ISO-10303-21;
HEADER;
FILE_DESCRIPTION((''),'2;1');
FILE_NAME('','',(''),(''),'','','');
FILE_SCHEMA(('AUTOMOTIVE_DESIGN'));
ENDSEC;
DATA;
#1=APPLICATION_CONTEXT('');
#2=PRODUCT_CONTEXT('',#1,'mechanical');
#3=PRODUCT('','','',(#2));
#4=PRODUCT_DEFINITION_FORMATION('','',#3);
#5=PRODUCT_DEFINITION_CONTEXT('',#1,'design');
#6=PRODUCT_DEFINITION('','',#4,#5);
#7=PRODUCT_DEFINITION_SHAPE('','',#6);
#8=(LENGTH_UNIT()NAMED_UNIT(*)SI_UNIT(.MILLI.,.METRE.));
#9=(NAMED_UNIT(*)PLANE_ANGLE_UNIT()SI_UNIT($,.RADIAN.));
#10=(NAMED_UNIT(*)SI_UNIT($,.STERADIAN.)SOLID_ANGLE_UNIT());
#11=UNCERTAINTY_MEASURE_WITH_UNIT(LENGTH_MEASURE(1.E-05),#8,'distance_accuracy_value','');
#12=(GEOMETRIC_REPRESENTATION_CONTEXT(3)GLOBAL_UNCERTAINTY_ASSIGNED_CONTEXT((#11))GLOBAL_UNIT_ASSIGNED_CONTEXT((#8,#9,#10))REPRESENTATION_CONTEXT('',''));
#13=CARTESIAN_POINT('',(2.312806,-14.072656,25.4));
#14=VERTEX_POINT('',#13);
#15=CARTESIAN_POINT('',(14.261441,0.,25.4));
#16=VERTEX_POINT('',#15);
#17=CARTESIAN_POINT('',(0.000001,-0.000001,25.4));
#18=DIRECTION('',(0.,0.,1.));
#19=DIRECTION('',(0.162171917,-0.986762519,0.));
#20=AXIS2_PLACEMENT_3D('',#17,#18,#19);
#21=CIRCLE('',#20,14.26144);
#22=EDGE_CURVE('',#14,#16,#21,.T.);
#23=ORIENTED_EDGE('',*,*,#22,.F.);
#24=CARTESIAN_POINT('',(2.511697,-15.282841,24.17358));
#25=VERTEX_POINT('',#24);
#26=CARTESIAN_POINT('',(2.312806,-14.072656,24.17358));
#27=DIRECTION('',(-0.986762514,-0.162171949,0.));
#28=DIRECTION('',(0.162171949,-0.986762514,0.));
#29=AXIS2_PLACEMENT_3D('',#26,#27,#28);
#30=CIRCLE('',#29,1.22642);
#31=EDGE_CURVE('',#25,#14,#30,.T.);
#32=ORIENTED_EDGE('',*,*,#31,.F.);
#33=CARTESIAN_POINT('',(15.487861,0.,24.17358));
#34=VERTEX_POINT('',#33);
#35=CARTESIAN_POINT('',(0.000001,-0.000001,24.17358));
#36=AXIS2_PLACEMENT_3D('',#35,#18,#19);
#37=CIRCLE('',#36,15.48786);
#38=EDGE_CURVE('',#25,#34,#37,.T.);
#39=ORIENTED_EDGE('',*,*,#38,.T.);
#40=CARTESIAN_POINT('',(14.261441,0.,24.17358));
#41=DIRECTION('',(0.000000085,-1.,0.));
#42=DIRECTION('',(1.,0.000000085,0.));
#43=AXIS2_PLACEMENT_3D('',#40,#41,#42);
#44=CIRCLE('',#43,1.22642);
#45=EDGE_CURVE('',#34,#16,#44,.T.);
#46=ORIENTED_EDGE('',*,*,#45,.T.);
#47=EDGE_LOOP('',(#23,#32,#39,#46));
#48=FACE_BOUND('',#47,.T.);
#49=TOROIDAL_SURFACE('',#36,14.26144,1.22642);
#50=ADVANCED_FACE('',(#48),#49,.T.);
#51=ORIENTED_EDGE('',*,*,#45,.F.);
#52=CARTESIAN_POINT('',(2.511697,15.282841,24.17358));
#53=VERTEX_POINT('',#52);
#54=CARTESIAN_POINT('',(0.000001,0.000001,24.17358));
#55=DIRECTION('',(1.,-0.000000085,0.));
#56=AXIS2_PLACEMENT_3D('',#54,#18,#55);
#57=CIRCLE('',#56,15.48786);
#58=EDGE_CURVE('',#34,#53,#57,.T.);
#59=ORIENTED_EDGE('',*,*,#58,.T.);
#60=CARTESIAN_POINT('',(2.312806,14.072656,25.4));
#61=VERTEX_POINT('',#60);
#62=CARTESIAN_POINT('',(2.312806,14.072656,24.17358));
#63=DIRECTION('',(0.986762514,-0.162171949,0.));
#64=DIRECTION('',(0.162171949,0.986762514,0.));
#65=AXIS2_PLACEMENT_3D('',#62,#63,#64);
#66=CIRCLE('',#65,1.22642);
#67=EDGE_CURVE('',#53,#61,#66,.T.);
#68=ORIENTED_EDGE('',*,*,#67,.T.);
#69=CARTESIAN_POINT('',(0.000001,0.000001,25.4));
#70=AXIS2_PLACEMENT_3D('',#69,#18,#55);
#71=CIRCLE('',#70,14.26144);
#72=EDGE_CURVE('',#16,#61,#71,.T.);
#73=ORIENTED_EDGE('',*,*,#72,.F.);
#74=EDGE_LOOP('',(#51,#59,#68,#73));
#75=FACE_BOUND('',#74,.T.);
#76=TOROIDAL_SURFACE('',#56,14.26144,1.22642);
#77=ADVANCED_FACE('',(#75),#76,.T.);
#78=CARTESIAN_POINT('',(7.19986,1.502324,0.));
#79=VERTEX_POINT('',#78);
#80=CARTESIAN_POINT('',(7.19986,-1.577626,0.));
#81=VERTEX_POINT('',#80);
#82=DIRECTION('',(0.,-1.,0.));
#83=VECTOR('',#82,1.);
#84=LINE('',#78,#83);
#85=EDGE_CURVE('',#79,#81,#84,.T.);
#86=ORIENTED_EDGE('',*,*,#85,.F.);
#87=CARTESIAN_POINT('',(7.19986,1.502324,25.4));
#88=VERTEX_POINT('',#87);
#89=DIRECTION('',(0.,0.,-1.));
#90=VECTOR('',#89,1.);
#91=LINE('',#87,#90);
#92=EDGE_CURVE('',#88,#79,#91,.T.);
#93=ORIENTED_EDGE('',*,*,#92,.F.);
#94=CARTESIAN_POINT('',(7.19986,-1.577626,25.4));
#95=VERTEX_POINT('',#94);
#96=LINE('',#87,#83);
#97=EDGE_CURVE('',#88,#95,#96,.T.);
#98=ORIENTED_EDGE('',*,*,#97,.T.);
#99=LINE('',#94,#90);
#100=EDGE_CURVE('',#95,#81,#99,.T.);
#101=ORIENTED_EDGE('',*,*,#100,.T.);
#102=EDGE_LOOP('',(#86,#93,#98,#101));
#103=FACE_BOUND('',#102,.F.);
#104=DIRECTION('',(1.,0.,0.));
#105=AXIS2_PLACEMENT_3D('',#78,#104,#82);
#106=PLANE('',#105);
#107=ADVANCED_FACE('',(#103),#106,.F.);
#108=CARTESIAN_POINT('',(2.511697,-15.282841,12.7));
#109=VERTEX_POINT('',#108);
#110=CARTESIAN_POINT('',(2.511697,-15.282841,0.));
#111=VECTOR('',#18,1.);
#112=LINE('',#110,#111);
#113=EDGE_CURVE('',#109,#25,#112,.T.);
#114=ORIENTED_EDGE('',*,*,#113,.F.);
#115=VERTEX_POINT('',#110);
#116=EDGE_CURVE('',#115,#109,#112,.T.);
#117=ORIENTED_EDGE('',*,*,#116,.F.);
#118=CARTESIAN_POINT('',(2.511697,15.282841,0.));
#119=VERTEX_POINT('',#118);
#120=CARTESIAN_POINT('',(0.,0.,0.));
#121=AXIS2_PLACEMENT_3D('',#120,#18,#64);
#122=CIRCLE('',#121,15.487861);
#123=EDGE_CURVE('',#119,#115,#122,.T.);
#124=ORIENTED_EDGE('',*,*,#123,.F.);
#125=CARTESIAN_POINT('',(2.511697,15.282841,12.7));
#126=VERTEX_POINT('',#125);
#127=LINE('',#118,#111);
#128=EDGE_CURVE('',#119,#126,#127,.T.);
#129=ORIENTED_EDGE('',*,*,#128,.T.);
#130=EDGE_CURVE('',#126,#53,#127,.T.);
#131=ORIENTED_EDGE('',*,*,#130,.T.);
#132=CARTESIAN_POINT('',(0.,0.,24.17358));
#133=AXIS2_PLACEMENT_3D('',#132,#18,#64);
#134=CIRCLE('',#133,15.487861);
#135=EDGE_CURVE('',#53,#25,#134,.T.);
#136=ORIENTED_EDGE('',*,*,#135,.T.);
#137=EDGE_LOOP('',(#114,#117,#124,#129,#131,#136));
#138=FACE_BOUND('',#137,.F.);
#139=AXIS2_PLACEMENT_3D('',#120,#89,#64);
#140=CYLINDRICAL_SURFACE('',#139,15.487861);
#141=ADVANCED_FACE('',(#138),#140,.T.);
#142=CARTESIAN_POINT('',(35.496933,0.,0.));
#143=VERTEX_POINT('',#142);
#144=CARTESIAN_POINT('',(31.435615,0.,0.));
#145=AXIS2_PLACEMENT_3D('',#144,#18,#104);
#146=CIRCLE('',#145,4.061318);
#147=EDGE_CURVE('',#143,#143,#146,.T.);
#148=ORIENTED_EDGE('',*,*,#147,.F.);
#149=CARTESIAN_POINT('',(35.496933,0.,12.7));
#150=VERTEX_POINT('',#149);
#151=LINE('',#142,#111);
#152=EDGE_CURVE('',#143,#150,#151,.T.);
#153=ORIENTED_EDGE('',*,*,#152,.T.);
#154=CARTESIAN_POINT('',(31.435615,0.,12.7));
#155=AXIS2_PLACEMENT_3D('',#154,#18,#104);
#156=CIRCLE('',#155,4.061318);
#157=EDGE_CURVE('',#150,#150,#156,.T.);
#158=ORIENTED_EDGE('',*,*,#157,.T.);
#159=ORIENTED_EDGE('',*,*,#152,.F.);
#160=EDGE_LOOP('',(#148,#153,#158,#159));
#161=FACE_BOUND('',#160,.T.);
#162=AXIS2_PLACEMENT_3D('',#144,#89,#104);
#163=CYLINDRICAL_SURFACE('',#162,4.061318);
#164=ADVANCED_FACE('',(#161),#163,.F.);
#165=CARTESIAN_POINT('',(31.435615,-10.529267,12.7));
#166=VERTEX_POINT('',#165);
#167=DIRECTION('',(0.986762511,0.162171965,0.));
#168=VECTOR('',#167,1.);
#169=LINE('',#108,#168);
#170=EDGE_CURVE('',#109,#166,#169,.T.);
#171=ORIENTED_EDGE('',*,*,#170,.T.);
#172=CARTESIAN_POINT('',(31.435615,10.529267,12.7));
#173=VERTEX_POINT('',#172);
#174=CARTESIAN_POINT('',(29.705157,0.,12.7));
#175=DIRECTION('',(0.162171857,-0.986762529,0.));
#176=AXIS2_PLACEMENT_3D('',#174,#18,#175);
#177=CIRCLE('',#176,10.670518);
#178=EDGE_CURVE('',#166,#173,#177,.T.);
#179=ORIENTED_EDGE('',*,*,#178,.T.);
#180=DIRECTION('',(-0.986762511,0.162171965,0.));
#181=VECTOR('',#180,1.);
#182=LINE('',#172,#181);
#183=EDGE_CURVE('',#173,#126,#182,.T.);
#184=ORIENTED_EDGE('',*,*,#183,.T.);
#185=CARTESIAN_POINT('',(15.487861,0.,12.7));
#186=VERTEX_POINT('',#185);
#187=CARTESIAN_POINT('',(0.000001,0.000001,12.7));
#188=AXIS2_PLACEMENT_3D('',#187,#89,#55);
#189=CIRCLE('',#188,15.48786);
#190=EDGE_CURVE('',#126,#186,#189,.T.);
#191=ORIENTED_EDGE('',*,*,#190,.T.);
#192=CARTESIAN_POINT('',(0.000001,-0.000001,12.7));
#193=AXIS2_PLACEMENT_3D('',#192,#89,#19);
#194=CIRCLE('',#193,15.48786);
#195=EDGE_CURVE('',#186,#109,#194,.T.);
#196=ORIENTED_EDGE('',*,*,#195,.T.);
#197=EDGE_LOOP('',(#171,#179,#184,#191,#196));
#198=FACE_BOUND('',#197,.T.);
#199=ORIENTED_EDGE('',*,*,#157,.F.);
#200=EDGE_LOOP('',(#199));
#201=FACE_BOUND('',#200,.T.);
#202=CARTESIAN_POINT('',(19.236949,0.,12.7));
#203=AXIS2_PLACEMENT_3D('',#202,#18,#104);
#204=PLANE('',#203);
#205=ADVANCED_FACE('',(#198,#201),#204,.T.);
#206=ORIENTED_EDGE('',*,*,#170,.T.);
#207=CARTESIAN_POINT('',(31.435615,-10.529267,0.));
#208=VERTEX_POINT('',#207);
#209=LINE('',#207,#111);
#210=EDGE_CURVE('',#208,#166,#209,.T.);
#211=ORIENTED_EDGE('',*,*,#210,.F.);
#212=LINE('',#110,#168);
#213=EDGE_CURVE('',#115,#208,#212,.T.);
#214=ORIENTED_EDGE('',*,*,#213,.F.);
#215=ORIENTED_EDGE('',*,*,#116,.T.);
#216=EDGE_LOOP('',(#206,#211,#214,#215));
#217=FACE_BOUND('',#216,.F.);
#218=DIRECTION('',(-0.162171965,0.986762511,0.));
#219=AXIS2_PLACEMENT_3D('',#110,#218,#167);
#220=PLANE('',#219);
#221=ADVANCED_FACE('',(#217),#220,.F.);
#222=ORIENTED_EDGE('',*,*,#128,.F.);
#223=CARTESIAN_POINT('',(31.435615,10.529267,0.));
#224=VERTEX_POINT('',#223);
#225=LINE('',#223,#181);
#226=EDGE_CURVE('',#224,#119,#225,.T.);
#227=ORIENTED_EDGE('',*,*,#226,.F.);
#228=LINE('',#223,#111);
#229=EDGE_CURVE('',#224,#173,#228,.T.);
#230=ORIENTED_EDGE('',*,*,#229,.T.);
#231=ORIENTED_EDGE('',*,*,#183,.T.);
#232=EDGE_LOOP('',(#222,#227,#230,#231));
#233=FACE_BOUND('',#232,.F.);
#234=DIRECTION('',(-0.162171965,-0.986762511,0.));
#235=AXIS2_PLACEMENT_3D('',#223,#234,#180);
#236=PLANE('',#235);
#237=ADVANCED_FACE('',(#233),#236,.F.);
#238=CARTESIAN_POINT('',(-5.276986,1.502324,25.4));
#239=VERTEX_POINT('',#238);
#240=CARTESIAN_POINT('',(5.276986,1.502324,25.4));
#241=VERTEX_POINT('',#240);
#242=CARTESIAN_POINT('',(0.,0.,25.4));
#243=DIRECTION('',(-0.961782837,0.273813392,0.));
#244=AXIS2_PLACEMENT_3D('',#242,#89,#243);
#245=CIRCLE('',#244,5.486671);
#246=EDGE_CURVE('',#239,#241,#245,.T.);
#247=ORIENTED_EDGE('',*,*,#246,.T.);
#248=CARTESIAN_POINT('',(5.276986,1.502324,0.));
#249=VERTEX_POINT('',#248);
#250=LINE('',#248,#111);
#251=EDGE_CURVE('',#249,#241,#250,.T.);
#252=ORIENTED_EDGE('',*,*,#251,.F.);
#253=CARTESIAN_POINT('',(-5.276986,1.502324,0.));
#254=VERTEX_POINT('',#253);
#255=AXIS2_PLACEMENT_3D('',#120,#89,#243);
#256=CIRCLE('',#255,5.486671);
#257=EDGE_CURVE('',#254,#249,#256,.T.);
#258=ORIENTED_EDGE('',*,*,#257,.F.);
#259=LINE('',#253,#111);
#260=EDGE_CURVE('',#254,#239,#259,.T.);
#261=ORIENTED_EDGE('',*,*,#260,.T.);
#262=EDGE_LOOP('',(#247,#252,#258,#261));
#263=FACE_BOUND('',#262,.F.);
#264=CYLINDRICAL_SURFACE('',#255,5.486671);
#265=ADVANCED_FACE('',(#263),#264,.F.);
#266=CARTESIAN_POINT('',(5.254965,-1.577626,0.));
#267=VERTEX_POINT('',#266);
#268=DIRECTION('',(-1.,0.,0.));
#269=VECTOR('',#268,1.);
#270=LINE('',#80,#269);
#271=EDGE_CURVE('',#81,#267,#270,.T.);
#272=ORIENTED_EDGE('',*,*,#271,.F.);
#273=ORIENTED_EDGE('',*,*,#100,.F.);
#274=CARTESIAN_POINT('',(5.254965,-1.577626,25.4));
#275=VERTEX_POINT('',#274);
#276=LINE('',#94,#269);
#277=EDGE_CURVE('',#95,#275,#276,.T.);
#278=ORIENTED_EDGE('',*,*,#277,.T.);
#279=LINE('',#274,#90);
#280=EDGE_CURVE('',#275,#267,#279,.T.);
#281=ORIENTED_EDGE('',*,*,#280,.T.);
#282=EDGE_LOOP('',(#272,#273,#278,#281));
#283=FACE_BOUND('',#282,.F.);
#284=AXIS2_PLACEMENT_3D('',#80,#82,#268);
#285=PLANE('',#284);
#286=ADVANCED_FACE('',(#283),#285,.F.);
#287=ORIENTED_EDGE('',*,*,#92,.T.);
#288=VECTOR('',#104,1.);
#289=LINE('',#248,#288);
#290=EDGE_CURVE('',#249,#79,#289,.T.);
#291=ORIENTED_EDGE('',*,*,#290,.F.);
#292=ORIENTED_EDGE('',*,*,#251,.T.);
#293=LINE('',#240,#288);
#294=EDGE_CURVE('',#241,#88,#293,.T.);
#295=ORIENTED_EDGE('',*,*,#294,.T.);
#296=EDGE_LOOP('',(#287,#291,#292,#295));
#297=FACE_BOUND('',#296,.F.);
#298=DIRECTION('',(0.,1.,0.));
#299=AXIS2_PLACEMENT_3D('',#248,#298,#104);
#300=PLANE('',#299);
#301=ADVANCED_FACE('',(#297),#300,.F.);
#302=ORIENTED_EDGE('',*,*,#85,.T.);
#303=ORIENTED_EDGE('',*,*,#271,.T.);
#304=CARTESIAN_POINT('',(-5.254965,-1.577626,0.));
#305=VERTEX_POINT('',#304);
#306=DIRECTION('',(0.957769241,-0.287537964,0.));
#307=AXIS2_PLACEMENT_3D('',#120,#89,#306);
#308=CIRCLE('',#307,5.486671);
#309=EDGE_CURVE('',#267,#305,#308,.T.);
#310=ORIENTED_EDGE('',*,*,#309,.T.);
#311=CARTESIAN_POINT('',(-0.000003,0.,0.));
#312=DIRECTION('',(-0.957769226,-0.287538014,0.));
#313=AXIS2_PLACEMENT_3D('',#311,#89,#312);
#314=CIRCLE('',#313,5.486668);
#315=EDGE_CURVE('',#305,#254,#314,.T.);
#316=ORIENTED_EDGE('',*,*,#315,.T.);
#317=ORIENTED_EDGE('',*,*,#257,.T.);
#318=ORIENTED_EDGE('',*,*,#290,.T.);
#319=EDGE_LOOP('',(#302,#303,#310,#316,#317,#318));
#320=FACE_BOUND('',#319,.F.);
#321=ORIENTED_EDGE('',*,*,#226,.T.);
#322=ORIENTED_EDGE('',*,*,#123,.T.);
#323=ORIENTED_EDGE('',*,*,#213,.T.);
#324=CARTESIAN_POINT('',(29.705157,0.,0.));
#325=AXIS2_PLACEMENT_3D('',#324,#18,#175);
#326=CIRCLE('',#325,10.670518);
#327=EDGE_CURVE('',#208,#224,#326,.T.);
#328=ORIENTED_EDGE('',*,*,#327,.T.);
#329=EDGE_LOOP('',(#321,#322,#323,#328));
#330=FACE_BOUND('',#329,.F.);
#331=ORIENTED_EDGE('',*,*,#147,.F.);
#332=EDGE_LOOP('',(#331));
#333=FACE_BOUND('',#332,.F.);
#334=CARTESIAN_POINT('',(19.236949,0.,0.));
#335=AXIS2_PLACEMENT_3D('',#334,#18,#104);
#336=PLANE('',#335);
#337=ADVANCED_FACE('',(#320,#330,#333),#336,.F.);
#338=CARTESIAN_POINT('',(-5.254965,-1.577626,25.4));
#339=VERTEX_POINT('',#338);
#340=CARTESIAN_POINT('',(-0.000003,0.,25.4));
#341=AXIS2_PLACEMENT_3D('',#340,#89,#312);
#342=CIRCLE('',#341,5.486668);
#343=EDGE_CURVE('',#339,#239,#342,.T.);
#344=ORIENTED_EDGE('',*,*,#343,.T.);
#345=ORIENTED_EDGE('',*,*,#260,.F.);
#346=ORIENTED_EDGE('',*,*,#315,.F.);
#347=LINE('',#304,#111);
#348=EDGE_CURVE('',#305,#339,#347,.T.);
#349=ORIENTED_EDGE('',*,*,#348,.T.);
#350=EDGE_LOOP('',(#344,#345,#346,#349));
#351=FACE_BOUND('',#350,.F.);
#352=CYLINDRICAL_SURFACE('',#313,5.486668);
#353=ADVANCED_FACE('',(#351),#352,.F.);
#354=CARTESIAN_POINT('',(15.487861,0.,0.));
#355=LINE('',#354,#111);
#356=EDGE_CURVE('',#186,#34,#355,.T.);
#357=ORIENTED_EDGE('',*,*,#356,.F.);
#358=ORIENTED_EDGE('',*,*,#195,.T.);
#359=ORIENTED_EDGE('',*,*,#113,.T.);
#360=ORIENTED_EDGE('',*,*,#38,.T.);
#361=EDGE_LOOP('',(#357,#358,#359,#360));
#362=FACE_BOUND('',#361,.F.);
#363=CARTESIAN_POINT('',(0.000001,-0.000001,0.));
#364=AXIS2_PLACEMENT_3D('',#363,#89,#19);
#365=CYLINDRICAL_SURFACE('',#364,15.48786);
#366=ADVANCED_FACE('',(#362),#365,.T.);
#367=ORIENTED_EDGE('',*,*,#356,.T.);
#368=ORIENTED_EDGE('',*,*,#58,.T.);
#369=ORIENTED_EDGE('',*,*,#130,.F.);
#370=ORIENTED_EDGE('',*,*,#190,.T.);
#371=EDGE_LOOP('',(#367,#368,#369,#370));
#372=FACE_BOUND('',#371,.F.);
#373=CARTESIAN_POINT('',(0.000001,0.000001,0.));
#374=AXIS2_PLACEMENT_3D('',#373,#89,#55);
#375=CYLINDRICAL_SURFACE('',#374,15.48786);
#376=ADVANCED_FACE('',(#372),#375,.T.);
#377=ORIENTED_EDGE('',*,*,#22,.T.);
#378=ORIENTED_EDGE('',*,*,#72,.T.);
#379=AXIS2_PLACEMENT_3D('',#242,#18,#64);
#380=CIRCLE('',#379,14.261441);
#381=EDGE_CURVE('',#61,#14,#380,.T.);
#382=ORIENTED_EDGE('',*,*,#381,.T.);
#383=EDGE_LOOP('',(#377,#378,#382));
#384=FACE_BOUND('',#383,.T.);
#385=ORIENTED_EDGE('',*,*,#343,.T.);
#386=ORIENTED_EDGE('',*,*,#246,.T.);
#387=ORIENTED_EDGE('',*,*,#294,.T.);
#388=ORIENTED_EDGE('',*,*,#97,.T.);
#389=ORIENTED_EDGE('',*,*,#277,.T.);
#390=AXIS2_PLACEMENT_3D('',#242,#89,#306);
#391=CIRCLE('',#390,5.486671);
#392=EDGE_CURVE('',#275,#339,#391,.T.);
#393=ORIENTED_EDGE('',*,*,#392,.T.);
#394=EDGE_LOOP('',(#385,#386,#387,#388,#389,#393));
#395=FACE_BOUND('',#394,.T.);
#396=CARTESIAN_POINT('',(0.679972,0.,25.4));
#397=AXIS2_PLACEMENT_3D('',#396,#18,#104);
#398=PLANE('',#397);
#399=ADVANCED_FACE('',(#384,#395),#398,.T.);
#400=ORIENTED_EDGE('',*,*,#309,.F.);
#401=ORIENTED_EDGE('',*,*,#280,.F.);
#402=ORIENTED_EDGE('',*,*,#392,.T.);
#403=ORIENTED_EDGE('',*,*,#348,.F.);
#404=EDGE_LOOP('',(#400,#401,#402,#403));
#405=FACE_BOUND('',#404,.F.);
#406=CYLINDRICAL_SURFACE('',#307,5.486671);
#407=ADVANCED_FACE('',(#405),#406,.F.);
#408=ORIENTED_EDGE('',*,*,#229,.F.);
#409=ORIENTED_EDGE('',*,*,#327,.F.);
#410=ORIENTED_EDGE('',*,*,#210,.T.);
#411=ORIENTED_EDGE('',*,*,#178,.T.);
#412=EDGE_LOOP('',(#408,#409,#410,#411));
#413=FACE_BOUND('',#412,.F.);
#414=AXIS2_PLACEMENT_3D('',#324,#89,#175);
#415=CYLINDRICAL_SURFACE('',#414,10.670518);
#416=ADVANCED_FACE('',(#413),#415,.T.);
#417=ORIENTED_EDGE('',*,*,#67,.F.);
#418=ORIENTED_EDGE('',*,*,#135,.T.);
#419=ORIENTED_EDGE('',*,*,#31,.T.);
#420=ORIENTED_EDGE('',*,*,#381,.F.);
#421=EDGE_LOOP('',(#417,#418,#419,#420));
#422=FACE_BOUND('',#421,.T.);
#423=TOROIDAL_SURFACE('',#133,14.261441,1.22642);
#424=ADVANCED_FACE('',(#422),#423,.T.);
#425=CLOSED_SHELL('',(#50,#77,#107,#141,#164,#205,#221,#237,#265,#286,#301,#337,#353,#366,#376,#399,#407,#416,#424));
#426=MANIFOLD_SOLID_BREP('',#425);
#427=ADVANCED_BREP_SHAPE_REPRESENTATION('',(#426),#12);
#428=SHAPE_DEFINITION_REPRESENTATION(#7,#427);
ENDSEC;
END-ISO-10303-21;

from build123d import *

# Parameters (mm, degrees)
F0_R     = 4.061318
F1_DEPTH = 12.7
F2_DEPTH = 25.4
F3_R     = 1.22642


with BuildPart() as f1:
    # F0 (on Top) → F1 (new body)
    with BuildSketch(Plane.XY):
        with BuildLine():
            ThreePointArc((2.511697, 15.282841), (11.806241, 10.024297), (15.487861, 0))
            ThreePointArc((15.487861, 0), (11.806241, -10.024297), (2.511697, -15.282841))
            Line((2.511697, -15.282841), (31.435615, -10.529267))
            ThreePointArc((31.435615, -10.529267), (40.375675, 0), (31.435615, 10.529267))
            Line((31.435615, 10.529267), (2.511697, 15.282841))
        make_face()
        with Locations((31.435615, 0)):
            Circle(F0_R, mode=Mode.SUBTRACT)
        with BuildLine():
            ThreePointArc((2.511697, -15.282841), (11.806241, -10.024297), (15.487861, 0))
            ThreePointArc((15.487861, 0), (11.806241, 10.024297), (2.511697, 15.282841))
            ThreePointArc((2.511697, 15.282841), (-15.487861, 0), (2.511697, -15.282841))
        make_face()
        with BuildLine():
            ThreePointArc((-5.276986, 1.502324), (0, 5.486671), (5.276986, 1.502324))
            Line((5.276986, 1.502324), (7.19986, 1.502324))
            Line((7.19986, 1.502324), (7.19986, -1.577626))
            Line((7.19986, -1.577626), (5.254965, -1.577626))
            ThreePointArc((5.254965, -1.577626), (0, -5.486671), (-5.254965, -1.577626))
            Line((-5.254965, -1.577626), (-7.429904, -1.577626))
            Line((-7.429904, -1.577626), (-7.429904, 1.502324))
            Line((-7.429904, 1.502324), (-5.276986, 1.502324))
        make_face(mode=Mode.SUBTRACT)
        with BuildLine():
            ThreePointArc((-5.254965, -1.577626), (-5.486531, -0.039228), (-5.276986, 1.502324))
            Line((-5.276986, 1.502324), (-7.429904, 1.502324))
            Line((-7.429904, 1.502324), (-7.429904, -1.577626))
            Line((-7.429904, -1.577626), (-5.254965, -1.577626))
        make_face()
    extrude(amount=F1_DEPTH)

    # F0 (on Top) → F2 (join)
    with BuildSketch(Plane.XY):
        with BuildLine():
            ThreePointArc((2.511697, -15.282841), (11.806241, -10.024297), (15.487861, 0))
            ThreePointArc((15.487861, 0), (11.806241, 10.024297), (2.511697, 15.282841))
            ThreePointArc((2.511697, 15.282841), (-15.487861, 0), (2.511697, -15.282841))
        make_face()
        with BuildLine():
            ThreePointArc((-5.276986, 1.502324), (0, 5.486671), (5.276986, 1.502324))
            Line((5.276986, 1.502324), (7.19986, 1.502324))
            Line((7.19986, 1.502324), (7.19986, -1.577626))
            Line((7.19986, -1.577626), (5.254965, -1.577626))
            ThreePointArc((5.254965, -1.577626), (0, -5.486671), (-5.254965, -1.577626))
            Line((-5.254965, -1.577626), (-7.429904, -1.577626))
            Line((-7.429904, -1.577626), (-7.429904, 1.502324))
            Line((-7.429904, 1.502324), (-5.276986, 1.502324))
        make_face(mode=Mode.SUBTRACT)
        with BuildLine():
            ThreePointArc((-5.254965, -1.577626), (-5.486531, -0.039228), (-5.276986, 1.502324))
            Line((-5.276986, 1.502324), (-7.429904, 1.502324))
            Line((-7.429904, 1.502324), (-7.429904, -1.577626))
            Line((-7.429904, -1.577626), (-5.254965, -1.577626))
        make_face()
    extrude(amount=F2_DEPTH)

    # F3
    f3_edges = [f1.edges().sort_by_distance(p)[0] for p in [
        (-2.511697, 15.282841, 25.4),
    ]]
    fillet(f3_edges, radius=F3_R)


solid = f1.part
